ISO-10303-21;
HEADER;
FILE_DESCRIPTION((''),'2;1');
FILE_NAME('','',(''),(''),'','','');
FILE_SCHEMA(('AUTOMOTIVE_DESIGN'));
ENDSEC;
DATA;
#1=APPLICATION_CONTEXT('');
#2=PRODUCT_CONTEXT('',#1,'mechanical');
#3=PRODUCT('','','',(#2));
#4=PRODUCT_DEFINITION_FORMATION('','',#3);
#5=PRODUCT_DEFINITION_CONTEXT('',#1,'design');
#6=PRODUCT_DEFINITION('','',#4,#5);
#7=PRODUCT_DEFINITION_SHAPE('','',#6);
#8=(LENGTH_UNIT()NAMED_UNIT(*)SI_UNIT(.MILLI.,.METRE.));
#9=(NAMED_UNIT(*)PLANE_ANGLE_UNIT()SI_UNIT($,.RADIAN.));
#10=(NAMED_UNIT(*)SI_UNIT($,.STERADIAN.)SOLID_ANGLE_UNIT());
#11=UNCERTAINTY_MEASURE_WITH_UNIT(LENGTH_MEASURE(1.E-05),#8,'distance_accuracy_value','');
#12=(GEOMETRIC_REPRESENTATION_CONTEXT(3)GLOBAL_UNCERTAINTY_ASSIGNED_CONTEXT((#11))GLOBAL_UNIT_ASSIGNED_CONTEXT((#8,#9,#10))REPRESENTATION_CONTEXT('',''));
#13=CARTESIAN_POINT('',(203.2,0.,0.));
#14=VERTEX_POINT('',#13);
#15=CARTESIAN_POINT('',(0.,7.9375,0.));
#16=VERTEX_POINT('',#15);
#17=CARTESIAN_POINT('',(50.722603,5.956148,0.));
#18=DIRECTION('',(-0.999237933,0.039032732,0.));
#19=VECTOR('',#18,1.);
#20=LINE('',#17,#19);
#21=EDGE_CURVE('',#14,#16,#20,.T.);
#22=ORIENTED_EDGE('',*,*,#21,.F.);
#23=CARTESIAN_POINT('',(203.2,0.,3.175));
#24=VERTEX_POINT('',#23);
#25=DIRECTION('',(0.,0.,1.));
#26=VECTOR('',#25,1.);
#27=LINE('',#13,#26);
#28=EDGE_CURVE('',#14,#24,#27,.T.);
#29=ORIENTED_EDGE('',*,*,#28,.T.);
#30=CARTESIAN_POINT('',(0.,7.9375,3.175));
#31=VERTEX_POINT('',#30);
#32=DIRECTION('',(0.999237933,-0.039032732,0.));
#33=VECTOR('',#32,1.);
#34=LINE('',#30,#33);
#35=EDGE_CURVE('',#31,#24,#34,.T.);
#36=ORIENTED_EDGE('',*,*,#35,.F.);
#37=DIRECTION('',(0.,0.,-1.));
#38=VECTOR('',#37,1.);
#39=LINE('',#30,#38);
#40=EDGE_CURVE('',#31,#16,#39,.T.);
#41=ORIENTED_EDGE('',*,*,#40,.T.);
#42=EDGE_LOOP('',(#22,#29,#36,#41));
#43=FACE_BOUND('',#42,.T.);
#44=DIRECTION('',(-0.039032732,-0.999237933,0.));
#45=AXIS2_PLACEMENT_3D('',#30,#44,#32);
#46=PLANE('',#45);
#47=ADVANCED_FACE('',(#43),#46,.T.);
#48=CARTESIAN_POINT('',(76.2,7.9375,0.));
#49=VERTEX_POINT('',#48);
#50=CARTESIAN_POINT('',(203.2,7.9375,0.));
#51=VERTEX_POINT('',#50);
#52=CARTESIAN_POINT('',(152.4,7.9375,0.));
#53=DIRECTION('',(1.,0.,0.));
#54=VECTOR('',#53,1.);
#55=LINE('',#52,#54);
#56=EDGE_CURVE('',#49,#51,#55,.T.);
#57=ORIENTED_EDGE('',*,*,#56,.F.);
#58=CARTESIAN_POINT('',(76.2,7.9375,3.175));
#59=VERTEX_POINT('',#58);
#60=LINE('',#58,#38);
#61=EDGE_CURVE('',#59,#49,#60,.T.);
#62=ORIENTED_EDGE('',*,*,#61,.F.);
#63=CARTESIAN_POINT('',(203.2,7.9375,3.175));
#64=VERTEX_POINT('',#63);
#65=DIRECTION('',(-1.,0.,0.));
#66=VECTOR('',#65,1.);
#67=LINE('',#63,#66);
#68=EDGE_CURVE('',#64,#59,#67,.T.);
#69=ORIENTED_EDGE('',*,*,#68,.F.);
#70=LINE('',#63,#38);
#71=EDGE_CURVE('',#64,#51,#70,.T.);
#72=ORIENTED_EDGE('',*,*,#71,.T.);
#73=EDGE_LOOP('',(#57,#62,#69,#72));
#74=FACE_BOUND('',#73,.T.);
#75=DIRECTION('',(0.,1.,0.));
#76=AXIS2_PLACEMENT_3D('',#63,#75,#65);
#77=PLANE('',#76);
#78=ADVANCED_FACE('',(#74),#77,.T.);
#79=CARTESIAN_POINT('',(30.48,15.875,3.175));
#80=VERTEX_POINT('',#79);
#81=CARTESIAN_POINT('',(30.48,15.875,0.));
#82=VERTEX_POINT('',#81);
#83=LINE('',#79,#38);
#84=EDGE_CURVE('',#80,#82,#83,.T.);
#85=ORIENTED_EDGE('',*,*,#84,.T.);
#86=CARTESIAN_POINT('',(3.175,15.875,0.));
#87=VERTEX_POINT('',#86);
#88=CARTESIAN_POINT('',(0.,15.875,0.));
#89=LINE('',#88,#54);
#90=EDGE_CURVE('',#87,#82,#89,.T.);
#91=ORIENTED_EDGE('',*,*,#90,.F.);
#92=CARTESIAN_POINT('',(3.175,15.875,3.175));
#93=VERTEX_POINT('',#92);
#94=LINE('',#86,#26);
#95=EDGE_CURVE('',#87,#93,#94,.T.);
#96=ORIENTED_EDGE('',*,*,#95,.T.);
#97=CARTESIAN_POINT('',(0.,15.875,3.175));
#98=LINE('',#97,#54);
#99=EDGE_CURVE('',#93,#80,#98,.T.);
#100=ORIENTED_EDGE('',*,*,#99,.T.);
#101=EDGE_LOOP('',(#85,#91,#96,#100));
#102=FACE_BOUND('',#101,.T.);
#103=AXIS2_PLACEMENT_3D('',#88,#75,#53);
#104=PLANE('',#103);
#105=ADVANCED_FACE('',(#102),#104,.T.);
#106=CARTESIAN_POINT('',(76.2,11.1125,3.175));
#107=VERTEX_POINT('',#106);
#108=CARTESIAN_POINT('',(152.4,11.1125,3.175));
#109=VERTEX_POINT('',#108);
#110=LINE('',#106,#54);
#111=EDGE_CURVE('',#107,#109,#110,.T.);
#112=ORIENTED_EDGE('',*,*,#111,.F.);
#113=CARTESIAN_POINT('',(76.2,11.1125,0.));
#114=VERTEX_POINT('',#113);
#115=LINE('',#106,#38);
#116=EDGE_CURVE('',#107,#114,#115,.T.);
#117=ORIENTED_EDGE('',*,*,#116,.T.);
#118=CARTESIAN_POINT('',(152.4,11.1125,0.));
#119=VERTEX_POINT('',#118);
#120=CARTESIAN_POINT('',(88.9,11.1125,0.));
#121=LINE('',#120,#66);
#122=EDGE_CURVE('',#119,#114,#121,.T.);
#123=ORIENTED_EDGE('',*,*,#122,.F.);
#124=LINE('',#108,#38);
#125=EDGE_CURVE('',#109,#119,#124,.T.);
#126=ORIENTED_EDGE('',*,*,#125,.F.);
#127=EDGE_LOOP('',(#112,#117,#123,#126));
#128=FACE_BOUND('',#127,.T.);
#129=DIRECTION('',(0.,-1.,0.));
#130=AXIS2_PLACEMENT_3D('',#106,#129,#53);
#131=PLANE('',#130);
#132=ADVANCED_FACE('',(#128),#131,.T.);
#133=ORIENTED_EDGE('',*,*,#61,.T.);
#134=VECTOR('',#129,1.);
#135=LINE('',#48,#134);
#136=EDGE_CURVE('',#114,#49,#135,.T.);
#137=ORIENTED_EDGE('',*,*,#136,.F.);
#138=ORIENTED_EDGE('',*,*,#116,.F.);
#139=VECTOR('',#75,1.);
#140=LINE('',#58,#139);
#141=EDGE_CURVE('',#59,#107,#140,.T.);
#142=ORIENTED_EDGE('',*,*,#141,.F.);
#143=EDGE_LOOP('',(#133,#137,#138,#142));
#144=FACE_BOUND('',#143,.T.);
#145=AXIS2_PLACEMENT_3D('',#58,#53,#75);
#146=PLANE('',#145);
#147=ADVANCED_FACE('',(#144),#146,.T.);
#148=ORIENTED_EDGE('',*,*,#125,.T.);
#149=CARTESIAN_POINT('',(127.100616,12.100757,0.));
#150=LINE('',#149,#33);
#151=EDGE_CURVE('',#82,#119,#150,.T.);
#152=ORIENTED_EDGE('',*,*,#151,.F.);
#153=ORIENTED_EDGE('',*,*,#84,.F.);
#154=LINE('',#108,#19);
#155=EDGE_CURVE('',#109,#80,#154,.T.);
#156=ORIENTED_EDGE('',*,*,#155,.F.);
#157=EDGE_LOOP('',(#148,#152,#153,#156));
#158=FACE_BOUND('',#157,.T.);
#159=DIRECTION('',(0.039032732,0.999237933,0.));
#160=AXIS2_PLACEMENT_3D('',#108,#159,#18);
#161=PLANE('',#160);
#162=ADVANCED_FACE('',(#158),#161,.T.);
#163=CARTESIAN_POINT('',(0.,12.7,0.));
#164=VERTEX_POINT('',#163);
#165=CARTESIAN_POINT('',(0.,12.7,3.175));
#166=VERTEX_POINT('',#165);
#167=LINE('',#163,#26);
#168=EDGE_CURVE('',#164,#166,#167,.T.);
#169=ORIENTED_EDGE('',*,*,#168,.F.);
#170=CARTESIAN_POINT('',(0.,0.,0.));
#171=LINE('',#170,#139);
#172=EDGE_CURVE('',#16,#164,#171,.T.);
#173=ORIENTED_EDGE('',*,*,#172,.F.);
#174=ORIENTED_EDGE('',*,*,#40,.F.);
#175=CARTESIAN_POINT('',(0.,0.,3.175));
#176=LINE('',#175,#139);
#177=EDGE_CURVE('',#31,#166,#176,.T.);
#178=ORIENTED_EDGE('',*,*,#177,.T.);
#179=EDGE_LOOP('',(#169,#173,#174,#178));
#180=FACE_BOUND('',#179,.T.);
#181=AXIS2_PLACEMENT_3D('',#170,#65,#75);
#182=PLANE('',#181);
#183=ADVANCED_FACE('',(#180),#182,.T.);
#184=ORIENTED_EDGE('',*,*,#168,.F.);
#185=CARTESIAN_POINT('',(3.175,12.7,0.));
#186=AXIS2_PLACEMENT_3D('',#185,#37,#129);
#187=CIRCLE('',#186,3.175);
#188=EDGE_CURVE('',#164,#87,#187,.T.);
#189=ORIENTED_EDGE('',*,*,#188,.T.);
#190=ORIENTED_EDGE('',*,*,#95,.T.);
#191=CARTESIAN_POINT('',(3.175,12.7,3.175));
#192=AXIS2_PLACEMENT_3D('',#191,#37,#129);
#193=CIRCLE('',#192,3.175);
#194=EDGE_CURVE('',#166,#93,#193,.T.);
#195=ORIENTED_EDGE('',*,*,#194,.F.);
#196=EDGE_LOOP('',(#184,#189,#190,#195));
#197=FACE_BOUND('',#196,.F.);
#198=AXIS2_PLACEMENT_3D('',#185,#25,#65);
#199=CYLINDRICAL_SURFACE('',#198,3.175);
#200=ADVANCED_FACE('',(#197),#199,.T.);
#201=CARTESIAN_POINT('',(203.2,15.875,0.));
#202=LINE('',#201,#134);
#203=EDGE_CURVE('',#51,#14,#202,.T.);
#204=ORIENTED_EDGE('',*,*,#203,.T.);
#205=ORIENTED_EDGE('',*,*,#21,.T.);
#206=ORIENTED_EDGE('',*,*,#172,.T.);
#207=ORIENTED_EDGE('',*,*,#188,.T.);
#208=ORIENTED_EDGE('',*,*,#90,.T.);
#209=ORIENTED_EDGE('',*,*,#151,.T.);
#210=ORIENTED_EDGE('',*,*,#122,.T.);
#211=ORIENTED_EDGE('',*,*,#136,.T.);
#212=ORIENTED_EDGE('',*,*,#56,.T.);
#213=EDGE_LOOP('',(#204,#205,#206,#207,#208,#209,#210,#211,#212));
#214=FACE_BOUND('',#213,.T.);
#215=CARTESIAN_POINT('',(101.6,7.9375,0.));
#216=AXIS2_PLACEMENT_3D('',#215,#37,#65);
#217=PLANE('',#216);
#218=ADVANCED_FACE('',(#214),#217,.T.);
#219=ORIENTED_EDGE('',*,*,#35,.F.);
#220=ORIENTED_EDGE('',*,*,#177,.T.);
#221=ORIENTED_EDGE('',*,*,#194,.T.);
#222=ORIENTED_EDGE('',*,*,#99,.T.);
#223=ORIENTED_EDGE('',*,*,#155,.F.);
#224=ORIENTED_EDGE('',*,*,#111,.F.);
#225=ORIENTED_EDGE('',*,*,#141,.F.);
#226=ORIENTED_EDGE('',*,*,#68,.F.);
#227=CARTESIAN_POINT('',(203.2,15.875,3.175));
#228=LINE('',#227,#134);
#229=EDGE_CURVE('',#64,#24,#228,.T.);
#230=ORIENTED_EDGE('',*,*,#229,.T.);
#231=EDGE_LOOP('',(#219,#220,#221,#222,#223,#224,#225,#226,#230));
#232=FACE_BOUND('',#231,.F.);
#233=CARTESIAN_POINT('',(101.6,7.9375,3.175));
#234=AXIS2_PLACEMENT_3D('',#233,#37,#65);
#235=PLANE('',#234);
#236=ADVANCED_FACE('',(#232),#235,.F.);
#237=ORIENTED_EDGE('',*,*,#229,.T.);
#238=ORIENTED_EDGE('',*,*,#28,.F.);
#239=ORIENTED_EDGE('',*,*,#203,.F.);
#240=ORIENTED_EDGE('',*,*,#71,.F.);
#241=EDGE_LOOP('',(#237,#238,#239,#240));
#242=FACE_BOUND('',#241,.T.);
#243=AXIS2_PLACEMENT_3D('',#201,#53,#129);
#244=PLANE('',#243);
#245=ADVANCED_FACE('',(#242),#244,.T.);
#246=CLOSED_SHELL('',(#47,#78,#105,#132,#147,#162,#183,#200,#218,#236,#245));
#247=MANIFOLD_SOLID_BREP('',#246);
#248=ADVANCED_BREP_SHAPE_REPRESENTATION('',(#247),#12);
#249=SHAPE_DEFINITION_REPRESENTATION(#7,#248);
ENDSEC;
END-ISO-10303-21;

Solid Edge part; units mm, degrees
sketch "Sketch1" plane through (0, 0, 0) normal (0, 0, 1) x (1, 0, 0)
  line L0 (0, 0) -> (0, 15.875)
  line L1 (0, 15.875) -> (203.2, 15.875)
  line L2 (203.2, 15.875) -> (203.2, 0)
  line L3 (203.2, 0) -> (0, 0)
  dimension "D1" = 203.2
  dimension "D2" = 15.875
extrude "Protrusion1" add sketch "Sketch1" along normal blind 3.175
sketch "Sketch2" plane through (101.6, 9.525, 3.175) normal (0, 0, 1) x (1, 0, 0)
  line L0 (-25.4, 1.5875) -> (101.6, 1.5875)
  line L1 (101.6, 1.5875) -> (101.6, -1.5875)
  line L2 (101.6, -1.5875) -> (-25.4, -1.5875)
  line L3 (-25.4, -1.5875) -> (-25.4, 1.5875)
  dimension "D1" = 76.2
  dimension "D2" = 3.175
  dimension "D3" = 4.7625
extrude "Cutout1" cut sketch "Sketch2" against normal through all
sketch "Sketch3" plane through (101.6, 9.525, 3.175) normal (0, 0, 1) x (1, 0, 0)
  line L0 (-101.6, -1.5875) -> (101.6, -9.525)
  line L1 (101.6, -9.525) -> (-101.6, -9.525)
  line L2 (-101.6, -9.525) -> (-101.6, -1.5875)
extrude "Cutout2" cut sketch "Sketch3" against normal through all
sketch "Sketch4" plane through (101.6, 9.525, 3.175) normal (0, 0, 1) x (1, 0, 0)
  line L0 (101.6, 1.5875) -> (50.8, 1.5875)
  line L1 (50.8, 1.5875) -> (-71.12, 6.35)
  line L2 (-71.12, 6.35) -> (101.6, 6.35)
  line L3 (101.6, 6.35) -> (101.6, 1.5875)
  dimension "D1" = 76.2
extrude "Cutout3" cut sketch "Sketch4" against normal through all
fillet "Round_1" radius 3.175 1 edges at (0, 15.875, 1.5875)
properties material "ABS Plastic, medium impact"
